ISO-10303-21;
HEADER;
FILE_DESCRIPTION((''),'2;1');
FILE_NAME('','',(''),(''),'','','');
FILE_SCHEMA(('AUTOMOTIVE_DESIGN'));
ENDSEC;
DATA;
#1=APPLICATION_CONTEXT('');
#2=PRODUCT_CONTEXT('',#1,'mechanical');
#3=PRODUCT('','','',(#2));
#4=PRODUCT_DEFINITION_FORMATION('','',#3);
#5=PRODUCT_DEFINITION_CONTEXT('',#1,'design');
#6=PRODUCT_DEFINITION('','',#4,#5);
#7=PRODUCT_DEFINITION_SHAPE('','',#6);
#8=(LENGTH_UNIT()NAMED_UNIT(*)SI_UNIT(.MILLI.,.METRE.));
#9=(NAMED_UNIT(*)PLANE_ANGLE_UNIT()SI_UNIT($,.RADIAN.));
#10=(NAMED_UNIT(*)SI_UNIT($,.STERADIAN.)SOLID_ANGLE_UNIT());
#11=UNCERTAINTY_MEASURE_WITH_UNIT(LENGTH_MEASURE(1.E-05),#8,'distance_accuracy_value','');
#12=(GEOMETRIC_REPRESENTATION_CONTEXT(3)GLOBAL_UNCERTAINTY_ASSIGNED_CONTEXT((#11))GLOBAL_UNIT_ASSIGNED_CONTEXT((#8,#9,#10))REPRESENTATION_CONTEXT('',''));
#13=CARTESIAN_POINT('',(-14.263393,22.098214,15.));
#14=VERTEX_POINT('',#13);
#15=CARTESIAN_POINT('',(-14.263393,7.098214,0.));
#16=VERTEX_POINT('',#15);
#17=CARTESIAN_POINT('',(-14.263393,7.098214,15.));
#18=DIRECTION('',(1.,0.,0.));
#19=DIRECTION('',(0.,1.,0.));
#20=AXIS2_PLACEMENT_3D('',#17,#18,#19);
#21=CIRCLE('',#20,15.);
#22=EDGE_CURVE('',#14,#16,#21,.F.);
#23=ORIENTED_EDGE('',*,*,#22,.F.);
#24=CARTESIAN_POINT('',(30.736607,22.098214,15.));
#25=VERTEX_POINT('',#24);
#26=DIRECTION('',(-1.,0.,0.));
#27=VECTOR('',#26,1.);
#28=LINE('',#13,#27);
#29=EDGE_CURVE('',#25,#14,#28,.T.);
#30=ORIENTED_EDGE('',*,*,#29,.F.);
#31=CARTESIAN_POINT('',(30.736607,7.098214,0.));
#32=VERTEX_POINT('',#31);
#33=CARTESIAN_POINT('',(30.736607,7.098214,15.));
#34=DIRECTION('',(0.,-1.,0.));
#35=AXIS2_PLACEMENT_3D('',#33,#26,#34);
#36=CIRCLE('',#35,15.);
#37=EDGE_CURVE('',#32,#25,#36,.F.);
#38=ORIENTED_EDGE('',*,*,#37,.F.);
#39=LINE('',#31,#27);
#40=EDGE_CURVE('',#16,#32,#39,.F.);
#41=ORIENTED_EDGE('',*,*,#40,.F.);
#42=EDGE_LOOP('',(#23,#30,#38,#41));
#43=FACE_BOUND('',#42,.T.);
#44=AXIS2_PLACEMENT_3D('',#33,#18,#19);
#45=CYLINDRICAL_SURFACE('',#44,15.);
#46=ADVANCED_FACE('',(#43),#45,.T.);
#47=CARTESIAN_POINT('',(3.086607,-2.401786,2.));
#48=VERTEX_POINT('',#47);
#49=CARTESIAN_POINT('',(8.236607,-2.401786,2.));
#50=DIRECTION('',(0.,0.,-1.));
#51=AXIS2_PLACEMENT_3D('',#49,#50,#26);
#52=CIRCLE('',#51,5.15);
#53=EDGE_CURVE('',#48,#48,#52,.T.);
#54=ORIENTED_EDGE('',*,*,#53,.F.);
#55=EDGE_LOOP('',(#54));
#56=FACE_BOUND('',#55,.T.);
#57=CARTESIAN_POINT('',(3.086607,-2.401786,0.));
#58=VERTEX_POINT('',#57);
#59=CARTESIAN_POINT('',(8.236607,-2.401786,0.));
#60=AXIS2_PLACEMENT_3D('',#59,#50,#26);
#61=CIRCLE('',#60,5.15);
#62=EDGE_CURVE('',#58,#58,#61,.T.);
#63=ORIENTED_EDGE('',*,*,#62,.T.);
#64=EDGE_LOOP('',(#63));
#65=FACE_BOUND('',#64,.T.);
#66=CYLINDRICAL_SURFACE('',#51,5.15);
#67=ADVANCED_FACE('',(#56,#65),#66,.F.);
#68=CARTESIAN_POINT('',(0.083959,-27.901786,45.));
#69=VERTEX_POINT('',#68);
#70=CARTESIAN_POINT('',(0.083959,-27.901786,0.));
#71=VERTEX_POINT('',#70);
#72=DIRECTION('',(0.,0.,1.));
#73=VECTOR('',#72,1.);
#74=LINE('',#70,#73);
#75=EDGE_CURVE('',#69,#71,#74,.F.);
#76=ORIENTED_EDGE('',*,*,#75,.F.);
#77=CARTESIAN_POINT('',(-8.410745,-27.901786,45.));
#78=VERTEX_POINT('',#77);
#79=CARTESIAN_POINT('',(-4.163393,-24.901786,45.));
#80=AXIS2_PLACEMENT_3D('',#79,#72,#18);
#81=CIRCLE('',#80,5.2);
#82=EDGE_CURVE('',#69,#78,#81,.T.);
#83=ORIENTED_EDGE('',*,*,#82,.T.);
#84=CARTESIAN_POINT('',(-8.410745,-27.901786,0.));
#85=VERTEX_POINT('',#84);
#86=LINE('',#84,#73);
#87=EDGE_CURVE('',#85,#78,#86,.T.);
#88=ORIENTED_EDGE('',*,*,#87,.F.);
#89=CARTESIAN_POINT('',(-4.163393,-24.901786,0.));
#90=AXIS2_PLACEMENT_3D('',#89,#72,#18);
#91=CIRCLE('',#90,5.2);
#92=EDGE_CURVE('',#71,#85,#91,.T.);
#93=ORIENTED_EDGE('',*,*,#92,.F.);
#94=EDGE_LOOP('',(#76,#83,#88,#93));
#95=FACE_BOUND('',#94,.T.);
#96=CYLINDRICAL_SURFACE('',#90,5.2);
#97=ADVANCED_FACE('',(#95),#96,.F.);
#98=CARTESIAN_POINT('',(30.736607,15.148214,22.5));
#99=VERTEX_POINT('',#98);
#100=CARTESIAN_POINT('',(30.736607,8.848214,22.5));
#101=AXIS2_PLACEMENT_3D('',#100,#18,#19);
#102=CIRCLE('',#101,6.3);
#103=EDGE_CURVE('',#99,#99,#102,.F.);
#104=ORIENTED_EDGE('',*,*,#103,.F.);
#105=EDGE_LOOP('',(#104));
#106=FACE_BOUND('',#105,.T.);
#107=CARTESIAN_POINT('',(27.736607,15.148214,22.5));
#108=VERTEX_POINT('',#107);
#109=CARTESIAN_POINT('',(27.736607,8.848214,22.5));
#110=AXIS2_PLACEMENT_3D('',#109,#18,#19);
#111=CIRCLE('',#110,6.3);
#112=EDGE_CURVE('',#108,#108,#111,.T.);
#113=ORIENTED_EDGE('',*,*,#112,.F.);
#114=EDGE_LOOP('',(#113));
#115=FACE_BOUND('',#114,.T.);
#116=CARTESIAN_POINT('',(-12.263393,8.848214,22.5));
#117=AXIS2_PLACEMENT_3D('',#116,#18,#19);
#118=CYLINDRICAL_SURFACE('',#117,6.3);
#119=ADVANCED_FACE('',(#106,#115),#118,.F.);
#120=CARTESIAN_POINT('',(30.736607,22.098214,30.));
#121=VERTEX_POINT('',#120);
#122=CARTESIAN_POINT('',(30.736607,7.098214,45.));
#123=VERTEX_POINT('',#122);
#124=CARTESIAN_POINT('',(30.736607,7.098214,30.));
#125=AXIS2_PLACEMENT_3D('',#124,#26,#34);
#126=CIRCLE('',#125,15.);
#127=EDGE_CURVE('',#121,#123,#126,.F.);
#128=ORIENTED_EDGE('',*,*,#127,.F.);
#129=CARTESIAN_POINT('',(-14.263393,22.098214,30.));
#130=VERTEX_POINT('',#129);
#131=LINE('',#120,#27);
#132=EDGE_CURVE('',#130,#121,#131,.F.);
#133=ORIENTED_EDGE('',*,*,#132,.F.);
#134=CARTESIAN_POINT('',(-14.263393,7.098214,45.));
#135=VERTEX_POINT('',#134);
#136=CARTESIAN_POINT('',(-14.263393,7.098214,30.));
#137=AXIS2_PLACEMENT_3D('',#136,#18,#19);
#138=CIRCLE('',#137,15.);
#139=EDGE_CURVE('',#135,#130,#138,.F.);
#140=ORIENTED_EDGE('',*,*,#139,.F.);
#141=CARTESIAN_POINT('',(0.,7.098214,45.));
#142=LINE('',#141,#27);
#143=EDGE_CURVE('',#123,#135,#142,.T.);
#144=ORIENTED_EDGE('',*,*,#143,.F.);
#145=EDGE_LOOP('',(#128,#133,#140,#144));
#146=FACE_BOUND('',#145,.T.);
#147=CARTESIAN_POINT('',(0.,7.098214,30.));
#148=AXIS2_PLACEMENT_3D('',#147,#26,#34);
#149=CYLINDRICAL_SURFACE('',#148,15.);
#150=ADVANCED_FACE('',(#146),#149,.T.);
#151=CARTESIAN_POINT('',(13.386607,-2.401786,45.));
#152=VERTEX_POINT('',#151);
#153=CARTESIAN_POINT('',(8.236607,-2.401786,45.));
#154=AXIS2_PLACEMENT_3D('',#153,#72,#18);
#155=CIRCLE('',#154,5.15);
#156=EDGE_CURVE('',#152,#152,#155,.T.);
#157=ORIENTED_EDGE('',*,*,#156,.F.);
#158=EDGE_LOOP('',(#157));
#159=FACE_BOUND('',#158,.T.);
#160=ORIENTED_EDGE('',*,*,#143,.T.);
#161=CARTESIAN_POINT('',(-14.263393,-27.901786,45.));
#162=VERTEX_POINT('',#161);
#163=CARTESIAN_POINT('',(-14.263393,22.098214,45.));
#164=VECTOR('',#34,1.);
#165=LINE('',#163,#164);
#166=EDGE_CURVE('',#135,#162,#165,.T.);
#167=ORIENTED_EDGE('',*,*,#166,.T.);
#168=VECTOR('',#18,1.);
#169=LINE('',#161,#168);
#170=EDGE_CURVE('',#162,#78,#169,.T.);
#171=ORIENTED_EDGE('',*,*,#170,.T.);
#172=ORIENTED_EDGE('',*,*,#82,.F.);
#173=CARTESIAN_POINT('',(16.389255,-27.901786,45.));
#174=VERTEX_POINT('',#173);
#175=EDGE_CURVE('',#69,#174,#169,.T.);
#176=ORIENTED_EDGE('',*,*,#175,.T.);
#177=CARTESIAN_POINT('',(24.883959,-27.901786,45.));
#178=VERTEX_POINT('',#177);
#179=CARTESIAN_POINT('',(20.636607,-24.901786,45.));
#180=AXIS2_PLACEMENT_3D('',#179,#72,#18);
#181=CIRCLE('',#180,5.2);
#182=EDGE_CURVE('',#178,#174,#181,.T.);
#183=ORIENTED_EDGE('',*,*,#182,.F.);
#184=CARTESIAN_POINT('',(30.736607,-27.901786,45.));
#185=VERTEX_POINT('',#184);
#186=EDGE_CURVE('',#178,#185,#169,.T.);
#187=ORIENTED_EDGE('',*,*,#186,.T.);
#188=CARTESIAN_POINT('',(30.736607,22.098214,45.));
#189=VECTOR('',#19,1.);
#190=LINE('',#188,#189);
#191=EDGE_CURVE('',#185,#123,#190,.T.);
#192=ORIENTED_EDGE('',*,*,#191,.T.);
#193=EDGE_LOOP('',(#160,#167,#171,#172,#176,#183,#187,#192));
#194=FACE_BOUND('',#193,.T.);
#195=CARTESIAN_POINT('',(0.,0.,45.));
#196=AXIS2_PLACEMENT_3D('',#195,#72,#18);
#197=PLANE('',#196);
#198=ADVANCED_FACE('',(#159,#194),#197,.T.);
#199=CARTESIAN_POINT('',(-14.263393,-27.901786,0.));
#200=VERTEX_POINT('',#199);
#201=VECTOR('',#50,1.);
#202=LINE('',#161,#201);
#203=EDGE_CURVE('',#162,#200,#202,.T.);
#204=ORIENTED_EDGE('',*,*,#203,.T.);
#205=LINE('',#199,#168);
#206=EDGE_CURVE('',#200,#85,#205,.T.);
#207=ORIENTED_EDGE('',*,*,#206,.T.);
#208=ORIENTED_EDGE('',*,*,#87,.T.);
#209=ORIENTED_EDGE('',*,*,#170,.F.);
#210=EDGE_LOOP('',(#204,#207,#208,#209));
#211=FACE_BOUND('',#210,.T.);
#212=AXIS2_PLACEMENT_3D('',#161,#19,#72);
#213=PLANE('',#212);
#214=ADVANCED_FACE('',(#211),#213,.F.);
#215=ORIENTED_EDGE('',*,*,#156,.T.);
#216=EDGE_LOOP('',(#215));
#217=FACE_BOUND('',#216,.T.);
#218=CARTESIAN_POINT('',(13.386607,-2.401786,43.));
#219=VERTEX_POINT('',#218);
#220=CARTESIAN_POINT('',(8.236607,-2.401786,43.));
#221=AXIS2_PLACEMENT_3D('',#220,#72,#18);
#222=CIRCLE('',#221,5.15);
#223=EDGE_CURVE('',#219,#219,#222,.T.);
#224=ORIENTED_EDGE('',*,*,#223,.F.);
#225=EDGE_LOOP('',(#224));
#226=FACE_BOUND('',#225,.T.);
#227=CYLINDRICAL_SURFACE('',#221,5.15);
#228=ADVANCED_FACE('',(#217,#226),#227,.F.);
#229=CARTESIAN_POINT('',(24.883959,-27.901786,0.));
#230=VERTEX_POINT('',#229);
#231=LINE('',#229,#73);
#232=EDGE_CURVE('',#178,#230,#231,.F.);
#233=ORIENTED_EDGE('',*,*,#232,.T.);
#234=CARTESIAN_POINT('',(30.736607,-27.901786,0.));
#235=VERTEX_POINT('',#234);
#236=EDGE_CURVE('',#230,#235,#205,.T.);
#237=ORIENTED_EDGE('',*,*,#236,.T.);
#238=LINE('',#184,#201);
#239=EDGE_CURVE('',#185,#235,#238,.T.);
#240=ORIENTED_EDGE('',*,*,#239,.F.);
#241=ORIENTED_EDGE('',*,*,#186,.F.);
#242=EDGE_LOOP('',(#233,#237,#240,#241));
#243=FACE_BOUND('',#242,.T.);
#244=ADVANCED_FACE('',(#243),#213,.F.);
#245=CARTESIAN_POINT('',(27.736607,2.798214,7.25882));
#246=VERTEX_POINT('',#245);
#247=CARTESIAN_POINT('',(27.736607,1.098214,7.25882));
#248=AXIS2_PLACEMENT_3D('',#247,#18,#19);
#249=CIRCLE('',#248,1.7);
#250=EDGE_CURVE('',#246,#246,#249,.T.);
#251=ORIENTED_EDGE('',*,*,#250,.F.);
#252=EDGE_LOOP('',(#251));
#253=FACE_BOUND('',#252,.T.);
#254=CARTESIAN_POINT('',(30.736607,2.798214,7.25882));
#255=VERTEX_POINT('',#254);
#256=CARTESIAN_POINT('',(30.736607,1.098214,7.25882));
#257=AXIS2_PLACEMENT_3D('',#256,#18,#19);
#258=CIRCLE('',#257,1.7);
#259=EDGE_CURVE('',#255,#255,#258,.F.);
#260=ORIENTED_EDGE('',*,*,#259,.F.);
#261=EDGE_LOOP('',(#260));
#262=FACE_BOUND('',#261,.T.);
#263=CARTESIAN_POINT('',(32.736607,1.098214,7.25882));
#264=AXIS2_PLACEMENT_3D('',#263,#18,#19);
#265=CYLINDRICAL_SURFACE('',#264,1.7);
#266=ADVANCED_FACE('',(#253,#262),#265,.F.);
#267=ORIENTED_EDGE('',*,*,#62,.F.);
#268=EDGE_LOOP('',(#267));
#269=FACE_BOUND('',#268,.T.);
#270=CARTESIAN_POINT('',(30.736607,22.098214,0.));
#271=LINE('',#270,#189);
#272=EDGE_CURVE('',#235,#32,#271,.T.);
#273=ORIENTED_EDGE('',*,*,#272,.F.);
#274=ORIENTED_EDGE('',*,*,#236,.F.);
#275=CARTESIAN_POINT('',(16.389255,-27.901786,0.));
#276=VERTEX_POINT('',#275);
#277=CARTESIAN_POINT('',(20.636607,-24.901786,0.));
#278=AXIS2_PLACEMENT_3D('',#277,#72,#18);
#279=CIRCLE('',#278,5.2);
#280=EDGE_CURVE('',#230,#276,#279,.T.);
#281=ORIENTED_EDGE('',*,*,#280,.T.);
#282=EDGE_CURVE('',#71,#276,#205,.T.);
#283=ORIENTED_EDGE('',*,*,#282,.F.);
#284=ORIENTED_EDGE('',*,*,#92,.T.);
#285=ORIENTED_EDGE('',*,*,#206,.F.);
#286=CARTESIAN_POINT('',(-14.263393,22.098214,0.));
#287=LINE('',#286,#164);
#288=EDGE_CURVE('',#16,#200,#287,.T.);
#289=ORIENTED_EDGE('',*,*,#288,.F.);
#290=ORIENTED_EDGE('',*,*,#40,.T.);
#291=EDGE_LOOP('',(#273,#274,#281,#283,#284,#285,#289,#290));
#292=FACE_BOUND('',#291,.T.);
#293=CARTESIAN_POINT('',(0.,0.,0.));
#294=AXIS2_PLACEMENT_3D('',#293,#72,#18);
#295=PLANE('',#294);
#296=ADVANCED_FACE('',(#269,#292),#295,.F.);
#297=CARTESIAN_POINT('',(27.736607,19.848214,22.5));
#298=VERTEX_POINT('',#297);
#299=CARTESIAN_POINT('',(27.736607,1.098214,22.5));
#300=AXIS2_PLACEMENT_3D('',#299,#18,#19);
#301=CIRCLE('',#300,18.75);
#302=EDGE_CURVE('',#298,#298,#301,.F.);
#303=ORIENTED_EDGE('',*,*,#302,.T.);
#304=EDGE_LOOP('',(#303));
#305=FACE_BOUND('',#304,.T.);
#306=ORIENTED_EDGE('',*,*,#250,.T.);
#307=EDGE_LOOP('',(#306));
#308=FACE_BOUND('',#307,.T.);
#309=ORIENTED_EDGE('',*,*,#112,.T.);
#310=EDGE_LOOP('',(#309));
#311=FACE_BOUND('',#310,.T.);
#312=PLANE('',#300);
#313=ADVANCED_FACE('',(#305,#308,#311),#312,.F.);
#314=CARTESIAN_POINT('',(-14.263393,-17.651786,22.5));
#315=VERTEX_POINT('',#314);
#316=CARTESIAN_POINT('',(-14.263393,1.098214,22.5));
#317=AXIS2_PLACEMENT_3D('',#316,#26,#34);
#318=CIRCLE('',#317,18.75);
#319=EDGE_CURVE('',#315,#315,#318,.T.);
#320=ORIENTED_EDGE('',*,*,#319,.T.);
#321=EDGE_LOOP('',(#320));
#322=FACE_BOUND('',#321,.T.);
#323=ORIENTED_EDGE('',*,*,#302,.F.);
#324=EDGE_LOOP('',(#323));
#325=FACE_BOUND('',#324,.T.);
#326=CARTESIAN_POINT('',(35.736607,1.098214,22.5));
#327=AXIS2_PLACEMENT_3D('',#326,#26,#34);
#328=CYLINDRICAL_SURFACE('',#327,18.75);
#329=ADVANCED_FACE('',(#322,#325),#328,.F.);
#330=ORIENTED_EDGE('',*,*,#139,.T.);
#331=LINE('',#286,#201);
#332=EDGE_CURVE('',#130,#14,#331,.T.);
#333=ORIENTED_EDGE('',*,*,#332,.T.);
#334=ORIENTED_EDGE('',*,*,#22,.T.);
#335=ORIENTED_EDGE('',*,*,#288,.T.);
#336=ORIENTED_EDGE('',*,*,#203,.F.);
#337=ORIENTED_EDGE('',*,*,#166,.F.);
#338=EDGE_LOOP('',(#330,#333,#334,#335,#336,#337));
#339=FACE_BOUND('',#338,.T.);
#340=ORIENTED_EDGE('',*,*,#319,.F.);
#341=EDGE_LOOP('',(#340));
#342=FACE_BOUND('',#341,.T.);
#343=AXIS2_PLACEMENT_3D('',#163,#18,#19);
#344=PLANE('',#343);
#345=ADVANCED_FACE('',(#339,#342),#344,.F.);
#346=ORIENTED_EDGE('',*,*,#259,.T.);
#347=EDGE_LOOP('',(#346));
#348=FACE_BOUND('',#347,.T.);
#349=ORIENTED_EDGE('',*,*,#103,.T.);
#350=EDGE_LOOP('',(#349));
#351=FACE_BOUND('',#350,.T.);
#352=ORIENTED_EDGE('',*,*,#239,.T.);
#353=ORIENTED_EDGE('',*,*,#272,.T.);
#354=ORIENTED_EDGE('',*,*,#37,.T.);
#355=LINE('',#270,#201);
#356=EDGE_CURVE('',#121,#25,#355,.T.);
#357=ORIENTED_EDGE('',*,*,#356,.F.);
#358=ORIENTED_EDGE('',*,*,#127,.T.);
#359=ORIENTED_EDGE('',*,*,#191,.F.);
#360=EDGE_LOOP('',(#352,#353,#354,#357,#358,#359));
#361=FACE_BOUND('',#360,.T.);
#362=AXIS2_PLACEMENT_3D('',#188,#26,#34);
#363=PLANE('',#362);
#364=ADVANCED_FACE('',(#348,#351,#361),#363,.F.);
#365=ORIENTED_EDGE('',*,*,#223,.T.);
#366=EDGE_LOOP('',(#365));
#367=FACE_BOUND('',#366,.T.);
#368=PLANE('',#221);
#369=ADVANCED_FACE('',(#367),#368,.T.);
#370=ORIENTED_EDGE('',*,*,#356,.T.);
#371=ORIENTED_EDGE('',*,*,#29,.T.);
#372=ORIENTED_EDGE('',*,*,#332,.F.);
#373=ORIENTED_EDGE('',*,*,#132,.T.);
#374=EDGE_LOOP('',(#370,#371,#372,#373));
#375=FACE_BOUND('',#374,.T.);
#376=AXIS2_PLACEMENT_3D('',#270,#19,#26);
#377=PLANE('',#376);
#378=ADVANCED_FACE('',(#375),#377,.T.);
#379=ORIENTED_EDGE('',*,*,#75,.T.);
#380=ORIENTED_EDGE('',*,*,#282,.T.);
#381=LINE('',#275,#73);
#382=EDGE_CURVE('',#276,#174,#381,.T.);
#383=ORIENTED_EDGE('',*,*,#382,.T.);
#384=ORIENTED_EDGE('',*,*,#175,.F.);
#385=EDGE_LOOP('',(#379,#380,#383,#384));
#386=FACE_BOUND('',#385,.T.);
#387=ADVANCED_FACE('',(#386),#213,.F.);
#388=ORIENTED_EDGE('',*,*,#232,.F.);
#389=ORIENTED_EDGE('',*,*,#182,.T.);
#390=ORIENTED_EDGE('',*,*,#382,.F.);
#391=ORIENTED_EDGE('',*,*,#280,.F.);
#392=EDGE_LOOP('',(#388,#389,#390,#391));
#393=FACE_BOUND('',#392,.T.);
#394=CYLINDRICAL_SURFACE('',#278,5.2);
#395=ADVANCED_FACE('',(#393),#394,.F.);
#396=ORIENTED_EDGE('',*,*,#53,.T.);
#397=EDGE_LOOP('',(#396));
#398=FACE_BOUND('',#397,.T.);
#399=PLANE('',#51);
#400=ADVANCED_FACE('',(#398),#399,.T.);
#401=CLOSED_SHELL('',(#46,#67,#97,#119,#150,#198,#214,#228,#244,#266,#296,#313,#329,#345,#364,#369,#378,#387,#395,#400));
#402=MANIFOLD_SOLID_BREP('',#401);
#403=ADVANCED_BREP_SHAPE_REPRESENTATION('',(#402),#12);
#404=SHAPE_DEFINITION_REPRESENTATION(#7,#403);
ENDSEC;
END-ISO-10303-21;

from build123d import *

# Parameters (mm, degrees)
SKETCH1_W           = 45
SKETCH1_H           = 50
BOSS_EXTRUDE1_DEPTH = 45
SKETCH2_R           = 5.2
CUT_EXTRUDE1_DEPTH  = 45
SKETCH9_R           = 5.15
CUT_EXTRUDE6_DEPTH  = 2
SKETCH10_R          = 5.15
CUT_EXTRUDE7_DEPTH  = 2
SKETCH12_R          = 18.75
CUT_EXTRUDE8_DEPTH  = 50
SKETCH13_W          = 45
SKETCH13_H          = 6.66747138
CUT_EXTRUDE9_DEPTH  = 46
SKETCH14_W          = 45
SKETCH14_H          = 6.66747138
BOSS_EXTRUDE2_DEPTH = 45
SKETCH15_R          = 18.375
CUT_EXTRUDE10_DEPTH = 45
FILLET1_R           = 15
SKETCH16_R          = 18.75
BOSS_EXTRUDE3_DEPTH = 2
SKETCH18_R          = 18.75
CUT_EXTRUDE11_DEPTH = 43
SKETCH19_R          = 6.3
CUT_EXTRUDE12_DEPTH = 43
SKETCH20_R          = 1.7
CUT_EXTRUDE13_DEPTH = 43
SKETCH21_R          = 20
SKETCH21_R_2        = 18.75
BOSS_EXTRUDE4_DEPTH = 7
SKETCH22_R          = 18.75
SKETCH22_R_2        = 1.7
SKETCH22_R_3        = 6.3
BOSS_EXTRUDE5_DEPTH = 7
SKETCH23_R          = 18.75
SKETCH23_R_2        = 1.7
SKETCH23_R_3        = 6.3
CUT_EXTRUDE14_DEPTH = 7
SKETCH24_R          = 1.7
CUT_EXTRUDE15_DEPTH = 5
BOSS_EXTRUDE6_DEPTH = 2
SKETCH26_R          = 20
SKETCH26_R_2        = 6.3
SKETCH26_R_3        = 1.7
BOSS_EXTRUDE7_DEPTH = 10
SKETCH27_R          = 20
CUT_EXTRUDE16_DEPTH = 7


with BuildPart() as part:
    # Sketch1 → Boss-Extrude1 (new body)
    with BuildSketch(Plane.XY):
        with Locations((8.236607143, -2.901785714)):
            Rectangle(SKETCH1_W, SKETCH1_H)
    extrude(amount=BOSS_EXTRUDE1_DEPTH)

    # Sketch2 → Cut-Extrude1 (cut)
    with BuildSketch(Plane.XY.offset(45)):
        with Locations((-4.163392857, -24.901785714)):
            Circle(SKETCH2_R)
        with Locations((20.636607143, -24.901785714)):
            Circle(SKETCH2_R)
    extrude(amount=-CUT_EXTRUDE1_DEPTH, mode=Mode.SUBTRACT)

    # Sketch9 → Cut-Extrude6 (cut)
    with BuildSketch(Plane.XY.offset(45)):
        with Locations((8.236607143, -2.401785714)):
            Circle(SKETCH9_R)
    extrude(amount=-CUT_EXTRUDE6_DEPTH, mode=Mode.SUBTRACT)

    # Sketch10 → Cut-Extrude7 (cut)
    with BuildSketch(Plane(origin=(0, 0, 0), x_dir=(-1, 0, 0), z_dir=(0, 0, -1))):
        with Locations((-8.236607143, -2.401785714)):
            Circle(SKETCH10_R)
    extrude(amount=-CUT_EXTRUDE7_DEPTH, mode=Mode.SUBTRACT)

    # Sketch12 → Cut-Extrude8 (cut)
    with BuildSketch(Plane.ZY.offset(14.263392857)):
        with Locations((22.5, 1.098214286)):
            Circle(SKETCH12_R)
    extrude(amount=-CUT_EXTRUDE8_DEPTH, mode=Mode.SUBTRACT)

    # Sketch13 → Cut-Extrude9 (cut)
    with BuildSketch(Plane.ZY.offset(14.263392857)):
        with Locations((22.5, 18.764478596)):
            Rectangle(SKETCH13_W, SKETCH13_H)
    extrude(amount=-CUT_EXTRUDE9_DEPTH, mode=Mode.SUBTRACT)

    # Sketch14 → Boss-Extrude2 (add)
    with BuildSketch(Plane.ZY.offset(14.263392857)):
        with Locations((22.5, 18.764478596)):
            Rectangle(SKETCH14_W, SKETCH14_H)
    extrude(amount=-BOSS_EXTRUDE2_DEPTH)

    # Sketch15 → Cut-Extrude10 (cut)
    with BuildSketch(Plane.ZY.offset(14.263392857)):
        with Locations((22.5, 1.098214286)):
            Circle(SKETCH15_R)
    extrude(amount=-CUT_EXTRUDE10_DEPTH, mode=Mode.SUBTRACT)

    # Fillet1
    fillet1_edges = [part.edges().sort_by_distance(p)[0] for p in [
        (8.236607143, 22.098214286, 0),
        (8.236607143, 22.098214286, 45),
    ]]
    fillet(fillet1_edges, radius=FILLET1_R)

    # Sketch16 → Boss-Extrude3 (add)
    with BuildSketch(Plane(origin=(30.736607143, 0, 0), x_dir=(0, 0, -1), z_dir=(1, 0, 0))):
        with Locations((-22.5, 1.098214286)):
            Circle(SKETCH16_R)
    extrude(amount=-BOSS_EXTRUDE3_DEPTH)

    # Sketch18 → Cut-Extrude11 (cut)
    with BuildSketch(Plane.ZY.offset(14.263392857)):
        with Locations((22.5, 1.098214286)):
            Circle(SKETCH18_R)
    extrude(amount=-CUT_EXTRUDE11_DEPTH, mode=Mode.SUBTRACT)

    # Sketch19 → Cut-Extrude12 (cut)
    with BuildSketch(Plane(origin=(30.736607143, 0, 0), x_dir=(0, 0, -1), z_dir=(1, 0, 0))):
        with Locations((-22.5, 8.848214286)):
            Circle(SKETCH19_R)
    extrude(amount=-CUT_EXTRUDE12_DEPTH, mode=Mode.SUBTRACT)

    # Sketch20 → Cut-Extrude13 (cut)
    with BuildSketch(Plane(origin=(30.736607143, 0, 0), x_dir=(0, 0, -1), z_dir=(1, 0, 0))):
        with Locations((-6.05, 1.098214286)):
            Circle(SKETCH20_R)
    extrude(amount=-CUT_EXTRUDE13_DEPTH, mode=Mode.SUBTRACT)

    # Sketch21 → Boss-Extrude4 (add)
    with BuildSketch(Plane(origin=(30.736607143, 0, 0), x_dir=(0, 0, -1), z_dir=(1, 0, 0))):
        with Locations((-22.5, 1.098214286)):
            Circle(SKETCH21_R)
        with Locations((-22.5, 1.098214286)):
            Circle(SKETCH21_R_2, mode=Mode.SUBTRACT)
    extrude(amount=BOSS_EXTRUDE4_DEPTH)

    # Sketch22 → Boss-Extrude5 (add)
    with BuildSketch(Plane(origin=(30.736607143, 0, 0), x_dir=(0, 0, -1), z_dir=(1, 0, 0))):
        with Locations((-22.5, 1.098214286)):
            Circle(SKETCH22_R)
        with Locations((-6.05, 1.098214286)):
            Circle(SKETCH22_R_2, mode=Mode.SUBTRACT)
        with Locations((-22.5, 8.848214286)):
            Circle(SKETCH22_R_3, mode=Mode.SUBTRACT)
    extrude(amount=BOSS_EXTRUDE5_DEPTH)

    # Sketch23 → Cut-Extrude14 (cut)
    with BuildSketch(Plane.ZY.offset(-28.736607143)):
        with Locations((22.5, 1.098214286)):
            Circle(SKETCH23_R)
        with Locations((6.05, 1.098214286)):
            Circle(SKETCH23_R_2, mode=Mode.SUBTRACT)
        with Locations((22.5, 8.848214286)):
            Circle(SKETCH23_R_3, mode=Mode.SUBTRACT)
    extrude(amount=-CUT_EXTRUDE14_DEPTH, mode=Mode.SUBTRACT)

    # Sketch24 → Cut-Extrude15 (cut)
    with BuildSketch(Plane(origin=(37.736607143, 0, 0), x_dir=(0, 0, -1), z_dir=(1, 0, 0))):
        with Locations((-7.25882025, 1.098214286)):
            Circle(SKETCH24_R)
    extrude(amount=-CUT_EXTRUDE15_DEPTH, mode=Mode.SUBTRACT)

    # Sketch25 → Boss-Extrude6 (add)
    with BuildSketch(Plane(origin=(37.736607143, 0, 0), x_dir=(0, 0, -1), z_dir=(1, 0, 0))):
        with BuildLine():
            ThreePointArc((-6.654410125, 2.687141094), (-5.859267248, 2.063227961), (-5.55882025, 1.098214286))
            ThreePointArc((-5.55882025, 1.098214286), (-5.859267248, 0.13320061), (-6.654410125, -0.490712522))
            ThreePointArc((-6.654410125, -0.490712522), (-4.35, 1.098214286), (-6.654410125, 2.687141094))
        make_face()
    extrude(amount=-BOSS_EXTRUDE6_DEPTH)

    # Sketch26 → Boss-Extrude7 (add)
    with BuildSketch(Plane(origin=(37.736607143, 0, 0), x_dir=(0, 0, -1), z_dir=(1, 0, 0))):
        with Locations((-22.5, 1.098214286)):
            Circle(SKETCH26_R)
        with Locations((-22.5, 8.848214286)):
            Circle(SKETCH26_R_2, mode=Mode.SUBTRACT)
        with Locations((-7.25882025, 1.098214286)):
            Circle(SKETCH26_R_3, mode=Mode.SUBTRACT)
    extrude(amount=-BOSS_EXTRUDE7_DEPTH)

    # Sketch27 → Cut-Extrude16 (cut)
    with BuildSketch(Plane(origin=(37.736607143, 0, 0), x_dir=(0, 0, -1), z_dir=(1, 0, 0))):
        with Locations((-22.5, 1.098214286)):
            Circle(SKETCH27_R)
    extrude(amount=-CUT_EXTRUDE16_DEPTH, mode=Mode.SUBTRACT)


solid = part.part
